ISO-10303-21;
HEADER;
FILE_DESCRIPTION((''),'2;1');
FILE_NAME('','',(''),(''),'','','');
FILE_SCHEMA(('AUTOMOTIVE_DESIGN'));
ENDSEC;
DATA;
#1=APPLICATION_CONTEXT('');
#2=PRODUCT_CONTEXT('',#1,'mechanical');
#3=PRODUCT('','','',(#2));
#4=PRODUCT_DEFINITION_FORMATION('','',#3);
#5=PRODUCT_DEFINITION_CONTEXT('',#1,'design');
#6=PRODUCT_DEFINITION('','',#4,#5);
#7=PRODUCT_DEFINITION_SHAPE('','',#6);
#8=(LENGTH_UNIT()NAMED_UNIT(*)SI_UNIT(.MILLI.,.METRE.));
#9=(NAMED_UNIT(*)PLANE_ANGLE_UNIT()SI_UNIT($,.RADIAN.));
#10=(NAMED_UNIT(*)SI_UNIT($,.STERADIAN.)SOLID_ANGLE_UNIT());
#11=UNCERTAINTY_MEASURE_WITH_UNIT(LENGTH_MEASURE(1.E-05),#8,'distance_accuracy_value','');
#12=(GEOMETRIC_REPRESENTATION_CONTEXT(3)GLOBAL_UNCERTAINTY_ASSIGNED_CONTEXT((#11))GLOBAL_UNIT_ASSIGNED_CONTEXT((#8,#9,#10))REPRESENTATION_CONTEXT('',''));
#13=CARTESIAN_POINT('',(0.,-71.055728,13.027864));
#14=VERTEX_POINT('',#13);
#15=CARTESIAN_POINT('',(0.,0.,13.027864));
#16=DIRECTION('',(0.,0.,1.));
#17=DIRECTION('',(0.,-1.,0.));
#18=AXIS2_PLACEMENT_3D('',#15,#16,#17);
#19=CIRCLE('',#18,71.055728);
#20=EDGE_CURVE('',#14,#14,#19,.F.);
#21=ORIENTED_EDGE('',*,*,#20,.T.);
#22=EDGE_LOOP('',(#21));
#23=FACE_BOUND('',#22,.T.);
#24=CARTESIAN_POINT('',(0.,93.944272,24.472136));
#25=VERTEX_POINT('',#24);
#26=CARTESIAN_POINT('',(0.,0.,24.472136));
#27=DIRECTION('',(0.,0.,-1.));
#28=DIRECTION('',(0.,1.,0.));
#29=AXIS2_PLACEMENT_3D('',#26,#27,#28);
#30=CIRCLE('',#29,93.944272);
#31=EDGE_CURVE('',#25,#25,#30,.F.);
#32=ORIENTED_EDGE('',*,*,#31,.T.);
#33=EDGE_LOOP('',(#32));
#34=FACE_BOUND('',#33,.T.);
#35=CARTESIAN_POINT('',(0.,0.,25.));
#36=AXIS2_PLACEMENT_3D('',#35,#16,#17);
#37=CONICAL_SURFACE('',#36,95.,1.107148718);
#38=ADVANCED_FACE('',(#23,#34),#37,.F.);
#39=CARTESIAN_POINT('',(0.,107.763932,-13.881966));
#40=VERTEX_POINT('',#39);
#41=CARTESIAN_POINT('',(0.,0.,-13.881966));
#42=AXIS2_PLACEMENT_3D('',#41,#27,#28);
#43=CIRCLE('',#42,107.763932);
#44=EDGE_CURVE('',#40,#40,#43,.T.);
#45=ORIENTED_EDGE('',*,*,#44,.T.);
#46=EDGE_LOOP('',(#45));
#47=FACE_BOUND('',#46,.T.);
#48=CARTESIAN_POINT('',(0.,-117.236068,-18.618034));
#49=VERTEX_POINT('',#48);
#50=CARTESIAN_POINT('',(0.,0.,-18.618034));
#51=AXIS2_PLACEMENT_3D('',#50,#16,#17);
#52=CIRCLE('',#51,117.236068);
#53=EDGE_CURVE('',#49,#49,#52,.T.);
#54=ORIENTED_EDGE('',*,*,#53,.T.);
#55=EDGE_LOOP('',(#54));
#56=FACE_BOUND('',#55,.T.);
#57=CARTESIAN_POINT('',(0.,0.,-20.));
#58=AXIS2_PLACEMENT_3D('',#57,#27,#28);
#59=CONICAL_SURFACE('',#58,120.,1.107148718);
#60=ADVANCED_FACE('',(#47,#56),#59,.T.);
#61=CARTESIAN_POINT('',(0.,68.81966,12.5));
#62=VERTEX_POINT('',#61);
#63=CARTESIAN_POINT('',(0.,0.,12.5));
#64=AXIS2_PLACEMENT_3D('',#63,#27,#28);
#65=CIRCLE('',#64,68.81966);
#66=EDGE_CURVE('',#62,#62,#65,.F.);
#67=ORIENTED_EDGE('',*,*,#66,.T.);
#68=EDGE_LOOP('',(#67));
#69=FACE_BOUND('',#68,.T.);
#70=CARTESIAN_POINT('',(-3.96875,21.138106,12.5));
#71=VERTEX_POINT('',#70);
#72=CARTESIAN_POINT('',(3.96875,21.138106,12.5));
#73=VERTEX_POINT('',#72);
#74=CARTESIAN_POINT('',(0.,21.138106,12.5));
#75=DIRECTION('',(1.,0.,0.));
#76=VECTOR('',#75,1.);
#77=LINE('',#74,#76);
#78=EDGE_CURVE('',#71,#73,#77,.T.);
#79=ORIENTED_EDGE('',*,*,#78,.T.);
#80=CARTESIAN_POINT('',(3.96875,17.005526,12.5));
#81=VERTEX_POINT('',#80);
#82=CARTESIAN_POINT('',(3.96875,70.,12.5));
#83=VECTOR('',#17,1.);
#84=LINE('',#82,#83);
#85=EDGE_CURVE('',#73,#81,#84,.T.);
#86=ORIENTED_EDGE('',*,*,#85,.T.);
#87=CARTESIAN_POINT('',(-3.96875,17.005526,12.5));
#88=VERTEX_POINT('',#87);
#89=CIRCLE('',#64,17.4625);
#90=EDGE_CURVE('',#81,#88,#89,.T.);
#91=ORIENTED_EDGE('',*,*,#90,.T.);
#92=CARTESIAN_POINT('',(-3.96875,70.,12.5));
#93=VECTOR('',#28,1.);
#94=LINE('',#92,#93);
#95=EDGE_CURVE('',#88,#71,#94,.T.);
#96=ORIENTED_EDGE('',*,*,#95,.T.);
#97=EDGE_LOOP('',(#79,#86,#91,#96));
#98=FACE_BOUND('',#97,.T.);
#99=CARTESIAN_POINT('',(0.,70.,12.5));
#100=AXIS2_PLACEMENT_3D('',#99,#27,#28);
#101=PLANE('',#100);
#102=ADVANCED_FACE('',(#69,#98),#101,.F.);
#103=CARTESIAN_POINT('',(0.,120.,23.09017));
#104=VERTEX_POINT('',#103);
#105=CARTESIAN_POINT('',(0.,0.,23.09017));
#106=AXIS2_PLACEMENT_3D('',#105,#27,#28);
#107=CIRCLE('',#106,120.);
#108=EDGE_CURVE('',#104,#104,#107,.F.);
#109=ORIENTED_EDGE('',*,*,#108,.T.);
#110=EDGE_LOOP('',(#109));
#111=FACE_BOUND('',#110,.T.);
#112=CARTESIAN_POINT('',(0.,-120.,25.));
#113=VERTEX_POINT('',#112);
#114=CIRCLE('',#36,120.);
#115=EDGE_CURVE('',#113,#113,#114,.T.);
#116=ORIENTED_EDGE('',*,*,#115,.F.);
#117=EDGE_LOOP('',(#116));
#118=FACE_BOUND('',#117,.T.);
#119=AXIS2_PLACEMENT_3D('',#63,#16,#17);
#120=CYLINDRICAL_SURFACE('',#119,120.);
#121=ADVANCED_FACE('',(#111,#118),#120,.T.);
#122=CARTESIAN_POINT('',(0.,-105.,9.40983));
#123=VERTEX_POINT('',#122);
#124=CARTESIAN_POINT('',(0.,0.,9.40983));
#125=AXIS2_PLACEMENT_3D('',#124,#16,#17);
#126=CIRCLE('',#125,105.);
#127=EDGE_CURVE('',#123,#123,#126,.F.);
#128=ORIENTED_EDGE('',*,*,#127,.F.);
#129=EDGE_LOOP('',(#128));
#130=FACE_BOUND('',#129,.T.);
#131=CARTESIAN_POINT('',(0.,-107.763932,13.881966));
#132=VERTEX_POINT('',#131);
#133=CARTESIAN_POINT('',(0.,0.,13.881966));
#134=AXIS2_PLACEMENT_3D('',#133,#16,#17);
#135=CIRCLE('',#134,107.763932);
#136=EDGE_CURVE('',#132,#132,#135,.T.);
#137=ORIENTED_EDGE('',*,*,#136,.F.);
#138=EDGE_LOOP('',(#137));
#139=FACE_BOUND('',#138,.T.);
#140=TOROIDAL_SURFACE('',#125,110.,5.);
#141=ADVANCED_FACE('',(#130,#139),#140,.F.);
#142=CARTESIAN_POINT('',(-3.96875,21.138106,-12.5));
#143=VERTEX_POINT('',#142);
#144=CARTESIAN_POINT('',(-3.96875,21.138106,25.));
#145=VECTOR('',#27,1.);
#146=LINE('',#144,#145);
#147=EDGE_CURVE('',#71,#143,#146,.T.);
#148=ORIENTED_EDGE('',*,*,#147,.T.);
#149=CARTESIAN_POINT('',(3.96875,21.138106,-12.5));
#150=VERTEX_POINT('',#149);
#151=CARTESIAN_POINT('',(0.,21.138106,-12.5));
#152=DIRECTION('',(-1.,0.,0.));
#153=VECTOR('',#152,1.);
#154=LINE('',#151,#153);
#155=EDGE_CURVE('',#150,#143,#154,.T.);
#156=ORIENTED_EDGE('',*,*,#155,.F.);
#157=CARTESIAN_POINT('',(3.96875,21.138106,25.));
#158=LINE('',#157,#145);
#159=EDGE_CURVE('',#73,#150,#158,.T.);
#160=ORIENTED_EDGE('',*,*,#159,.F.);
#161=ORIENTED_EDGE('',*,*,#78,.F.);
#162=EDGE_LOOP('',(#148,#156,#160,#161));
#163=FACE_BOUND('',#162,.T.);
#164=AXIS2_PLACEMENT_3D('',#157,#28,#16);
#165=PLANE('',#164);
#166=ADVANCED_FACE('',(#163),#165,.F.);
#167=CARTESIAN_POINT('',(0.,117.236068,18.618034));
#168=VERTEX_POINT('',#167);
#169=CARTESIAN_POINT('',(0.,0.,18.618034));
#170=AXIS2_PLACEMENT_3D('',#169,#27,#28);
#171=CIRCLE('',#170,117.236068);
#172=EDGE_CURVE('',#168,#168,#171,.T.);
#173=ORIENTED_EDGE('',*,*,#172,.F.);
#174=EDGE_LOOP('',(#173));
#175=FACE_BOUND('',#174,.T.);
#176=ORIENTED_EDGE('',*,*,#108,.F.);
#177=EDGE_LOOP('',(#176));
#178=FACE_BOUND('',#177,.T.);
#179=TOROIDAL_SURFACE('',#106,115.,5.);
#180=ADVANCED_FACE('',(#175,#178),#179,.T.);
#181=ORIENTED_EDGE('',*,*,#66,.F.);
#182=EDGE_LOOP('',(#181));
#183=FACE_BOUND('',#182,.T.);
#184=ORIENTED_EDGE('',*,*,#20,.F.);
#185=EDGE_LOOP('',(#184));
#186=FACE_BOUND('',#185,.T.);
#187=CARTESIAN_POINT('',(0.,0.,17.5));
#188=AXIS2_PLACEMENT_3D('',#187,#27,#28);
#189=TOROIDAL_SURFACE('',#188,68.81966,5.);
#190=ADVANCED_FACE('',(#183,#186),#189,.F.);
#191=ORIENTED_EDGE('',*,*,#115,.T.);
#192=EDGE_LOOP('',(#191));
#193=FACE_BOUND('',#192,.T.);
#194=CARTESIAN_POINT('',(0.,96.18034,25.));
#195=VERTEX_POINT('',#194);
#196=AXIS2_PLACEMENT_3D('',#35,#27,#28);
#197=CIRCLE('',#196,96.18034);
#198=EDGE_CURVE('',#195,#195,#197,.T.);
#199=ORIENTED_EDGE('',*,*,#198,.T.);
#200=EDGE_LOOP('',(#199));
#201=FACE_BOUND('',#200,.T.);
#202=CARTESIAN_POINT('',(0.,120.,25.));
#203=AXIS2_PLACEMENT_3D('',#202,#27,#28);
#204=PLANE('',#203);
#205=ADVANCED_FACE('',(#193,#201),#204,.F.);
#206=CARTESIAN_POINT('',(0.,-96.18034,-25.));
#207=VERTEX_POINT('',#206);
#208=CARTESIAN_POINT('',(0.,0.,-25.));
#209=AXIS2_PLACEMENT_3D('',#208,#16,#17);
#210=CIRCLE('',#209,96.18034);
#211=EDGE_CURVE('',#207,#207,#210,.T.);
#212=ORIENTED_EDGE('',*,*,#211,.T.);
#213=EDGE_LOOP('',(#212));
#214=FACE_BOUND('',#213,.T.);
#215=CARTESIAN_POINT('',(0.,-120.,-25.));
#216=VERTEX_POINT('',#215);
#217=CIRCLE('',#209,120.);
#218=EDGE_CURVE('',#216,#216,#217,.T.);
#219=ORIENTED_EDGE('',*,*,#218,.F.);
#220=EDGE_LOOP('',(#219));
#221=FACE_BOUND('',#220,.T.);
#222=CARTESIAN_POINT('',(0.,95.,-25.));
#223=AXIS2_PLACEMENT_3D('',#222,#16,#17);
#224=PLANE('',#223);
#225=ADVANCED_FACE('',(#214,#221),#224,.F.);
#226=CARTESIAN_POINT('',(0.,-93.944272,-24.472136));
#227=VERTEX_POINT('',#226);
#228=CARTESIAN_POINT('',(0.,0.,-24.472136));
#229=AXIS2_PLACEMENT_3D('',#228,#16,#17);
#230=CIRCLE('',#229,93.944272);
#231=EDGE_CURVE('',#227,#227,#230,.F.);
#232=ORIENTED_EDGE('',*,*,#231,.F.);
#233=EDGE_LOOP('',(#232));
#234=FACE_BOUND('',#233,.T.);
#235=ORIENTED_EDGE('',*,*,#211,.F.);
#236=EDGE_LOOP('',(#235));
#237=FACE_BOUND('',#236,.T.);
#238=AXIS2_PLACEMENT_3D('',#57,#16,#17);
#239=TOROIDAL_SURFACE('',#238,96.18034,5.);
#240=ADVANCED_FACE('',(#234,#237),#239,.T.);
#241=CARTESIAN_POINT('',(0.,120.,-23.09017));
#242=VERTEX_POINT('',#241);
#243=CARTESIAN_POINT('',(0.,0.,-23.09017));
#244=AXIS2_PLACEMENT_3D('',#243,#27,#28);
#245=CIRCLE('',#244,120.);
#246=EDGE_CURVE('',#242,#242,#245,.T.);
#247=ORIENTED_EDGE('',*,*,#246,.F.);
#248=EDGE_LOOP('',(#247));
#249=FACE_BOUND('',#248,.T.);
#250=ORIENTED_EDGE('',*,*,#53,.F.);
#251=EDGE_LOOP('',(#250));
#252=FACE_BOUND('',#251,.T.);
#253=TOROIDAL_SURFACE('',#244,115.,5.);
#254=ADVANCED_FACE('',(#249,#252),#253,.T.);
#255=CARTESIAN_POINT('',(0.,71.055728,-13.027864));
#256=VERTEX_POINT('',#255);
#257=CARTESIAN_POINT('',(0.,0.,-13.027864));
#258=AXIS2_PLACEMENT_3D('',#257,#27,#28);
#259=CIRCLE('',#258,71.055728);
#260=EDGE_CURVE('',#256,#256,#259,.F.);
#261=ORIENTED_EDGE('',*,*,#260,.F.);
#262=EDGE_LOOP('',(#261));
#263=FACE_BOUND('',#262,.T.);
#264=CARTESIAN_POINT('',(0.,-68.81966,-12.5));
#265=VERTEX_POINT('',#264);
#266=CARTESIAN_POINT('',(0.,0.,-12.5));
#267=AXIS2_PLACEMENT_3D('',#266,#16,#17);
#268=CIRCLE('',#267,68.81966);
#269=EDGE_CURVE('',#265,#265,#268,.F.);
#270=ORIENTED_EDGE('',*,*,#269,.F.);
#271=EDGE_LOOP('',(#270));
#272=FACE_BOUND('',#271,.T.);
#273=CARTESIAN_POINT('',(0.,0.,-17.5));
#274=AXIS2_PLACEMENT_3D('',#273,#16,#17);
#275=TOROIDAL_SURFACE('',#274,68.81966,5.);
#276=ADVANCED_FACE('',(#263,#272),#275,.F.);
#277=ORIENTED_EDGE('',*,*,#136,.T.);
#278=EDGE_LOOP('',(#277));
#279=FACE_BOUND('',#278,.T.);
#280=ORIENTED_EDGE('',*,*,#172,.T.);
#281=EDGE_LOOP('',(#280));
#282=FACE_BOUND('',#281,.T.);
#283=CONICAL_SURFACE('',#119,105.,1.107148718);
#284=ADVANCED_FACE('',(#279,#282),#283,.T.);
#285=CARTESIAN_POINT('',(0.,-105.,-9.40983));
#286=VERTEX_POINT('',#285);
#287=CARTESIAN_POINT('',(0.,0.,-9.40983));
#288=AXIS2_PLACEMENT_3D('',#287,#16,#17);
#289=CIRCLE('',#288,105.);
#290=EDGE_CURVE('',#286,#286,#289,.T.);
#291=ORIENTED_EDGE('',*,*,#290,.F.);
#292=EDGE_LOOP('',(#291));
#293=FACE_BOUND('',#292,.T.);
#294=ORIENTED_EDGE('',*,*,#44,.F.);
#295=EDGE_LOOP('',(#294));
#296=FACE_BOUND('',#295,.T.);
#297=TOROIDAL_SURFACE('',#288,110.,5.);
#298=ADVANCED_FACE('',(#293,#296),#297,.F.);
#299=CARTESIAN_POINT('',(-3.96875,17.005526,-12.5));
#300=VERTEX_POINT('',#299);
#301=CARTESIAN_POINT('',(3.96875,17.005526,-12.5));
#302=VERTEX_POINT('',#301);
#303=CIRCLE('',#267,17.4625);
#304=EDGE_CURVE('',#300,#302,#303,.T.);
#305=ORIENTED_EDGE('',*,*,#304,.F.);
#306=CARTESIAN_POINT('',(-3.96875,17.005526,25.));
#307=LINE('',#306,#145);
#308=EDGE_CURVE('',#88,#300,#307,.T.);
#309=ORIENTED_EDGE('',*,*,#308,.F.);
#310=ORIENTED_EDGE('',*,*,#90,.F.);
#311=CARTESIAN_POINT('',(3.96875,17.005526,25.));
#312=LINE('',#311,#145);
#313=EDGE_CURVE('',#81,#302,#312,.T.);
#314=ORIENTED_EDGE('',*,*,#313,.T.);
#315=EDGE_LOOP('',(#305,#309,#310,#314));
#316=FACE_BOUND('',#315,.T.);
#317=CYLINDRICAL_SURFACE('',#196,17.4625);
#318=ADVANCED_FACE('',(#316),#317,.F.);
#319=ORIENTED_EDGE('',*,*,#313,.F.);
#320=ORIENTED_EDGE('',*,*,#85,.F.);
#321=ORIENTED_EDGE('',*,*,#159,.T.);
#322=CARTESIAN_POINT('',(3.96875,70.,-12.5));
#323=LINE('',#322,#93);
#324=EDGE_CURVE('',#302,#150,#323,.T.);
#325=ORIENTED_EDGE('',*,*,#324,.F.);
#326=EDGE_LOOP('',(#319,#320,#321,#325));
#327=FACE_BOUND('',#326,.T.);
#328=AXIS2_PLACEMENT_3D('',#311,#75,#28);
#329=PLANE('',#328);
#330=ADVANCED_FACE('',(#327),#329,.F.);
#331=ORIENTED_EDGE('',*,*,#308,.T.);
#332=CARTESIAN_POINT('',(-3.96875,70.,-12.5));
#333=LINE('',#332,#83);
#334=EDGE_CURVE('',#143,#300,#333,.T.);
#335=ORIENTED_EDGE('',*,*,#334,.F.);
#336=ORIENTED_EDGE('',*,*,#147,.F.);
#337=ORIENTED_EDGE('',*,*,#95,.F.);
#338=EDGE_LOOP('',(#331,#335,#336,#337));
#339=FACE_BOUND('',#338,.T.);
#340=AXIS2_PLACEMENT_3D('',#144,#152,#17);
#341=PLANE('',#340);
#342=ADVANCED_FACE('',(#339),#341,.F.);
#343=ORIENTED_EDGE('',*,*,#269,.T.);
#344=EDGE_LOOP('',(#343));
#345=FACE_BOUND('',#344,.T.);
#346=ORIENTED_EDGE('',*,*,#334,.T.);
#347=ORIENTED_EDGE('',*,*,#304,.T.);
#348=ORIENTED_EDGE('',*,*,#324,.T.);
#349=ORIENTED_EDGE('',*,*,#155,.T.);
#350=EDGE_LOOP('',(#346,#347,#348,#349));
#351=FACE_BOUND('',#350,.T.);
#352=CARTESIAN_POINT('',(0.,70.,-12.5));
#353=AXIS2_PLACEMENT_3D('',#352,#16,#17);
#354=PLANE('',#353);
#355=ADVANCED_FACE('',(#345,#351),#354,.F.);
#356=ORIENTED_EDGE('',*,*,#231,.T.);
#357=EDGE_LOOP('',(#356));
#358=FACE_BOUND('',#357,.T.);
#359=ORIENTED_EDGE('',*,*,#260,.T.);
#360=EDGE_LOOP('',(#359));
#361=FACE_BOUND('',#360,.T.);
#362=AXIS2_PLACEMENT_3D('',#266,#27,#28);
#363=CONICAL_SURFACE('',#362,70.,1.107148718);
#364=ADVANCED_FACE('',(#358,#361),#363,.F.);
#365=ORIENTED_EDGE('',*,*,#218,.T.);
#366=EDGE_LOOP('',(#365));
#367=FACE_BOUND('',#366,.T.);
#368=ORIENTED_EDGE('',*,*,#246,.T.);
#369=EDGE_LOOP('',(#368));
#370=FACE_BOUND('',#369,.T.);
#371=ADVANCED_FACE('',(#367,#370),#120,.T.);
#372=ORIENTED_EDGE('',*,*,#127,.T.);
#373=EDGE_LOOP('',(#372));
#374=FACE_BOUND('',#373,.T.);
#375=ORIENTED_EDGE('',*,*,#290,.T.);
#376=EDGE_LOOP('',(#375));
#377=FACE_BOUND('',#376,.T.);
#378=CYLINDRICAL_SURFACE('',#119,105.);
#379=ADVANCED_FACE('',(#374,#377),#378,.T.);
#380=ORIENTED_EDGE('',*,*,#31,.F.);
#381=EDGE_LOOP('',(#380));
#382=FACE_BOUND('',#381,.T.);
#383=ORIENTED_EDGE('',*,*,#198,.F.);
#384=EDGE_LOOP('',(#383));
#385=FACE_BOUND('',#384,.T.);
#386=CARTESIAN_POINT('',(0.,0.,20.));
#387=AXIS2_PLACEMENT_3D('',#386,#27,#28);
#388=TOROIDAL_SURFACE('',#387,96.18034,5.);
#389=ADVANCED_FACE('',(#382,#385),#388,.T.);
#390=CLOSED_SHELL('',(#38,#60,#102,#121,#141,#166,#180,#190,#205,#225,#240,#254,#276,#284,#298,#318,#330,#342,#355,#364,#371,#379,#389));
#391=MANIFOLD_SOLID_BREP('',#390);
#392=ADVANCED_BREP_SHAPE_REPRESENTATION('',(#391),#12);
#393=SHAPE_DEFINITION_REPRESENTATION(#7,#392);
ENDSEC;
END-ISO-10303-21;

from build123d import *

# Parameters (mm, degrees)
FILLETS_R            = 5
SHAFT_CUT_DEPTH      = 174.799455871
SHAFT_CUT_DEPTH_BACK = 174.799455871


with BuildPart() as part:
    # Sketch1 → Main wheel extrude (revolve)
    with BuildSketch(Plane(origin=(0, 0, 0), x_dir=(0, 0, -1), z_dir=(1, 0, 0)), mode=Mode.PRIVATE) as main_wheel_extrude_sk:
        Polygon((-25, 120), (-25, 95), (-12.5, 70), (-12.5, 0), (12.5, 0), (12.5, 70), (25, 95), (25, 120), (20, 120), (12.5, 105), (-12.5, 105), (-20, 120), align=None)
    revolve(main_wheel_extrude_sk.sketch.rotate(Axis((0, 0, 12.5), (0, 0, -1)), 180), axis=Axis((0, 0, 12.5), (0, 0, -1)))

    # Fillets
    fillets_edges = [part.edges().sort_by_distance(p)[0] for p in [
        (0, 105, -12.5),
        (0, 120, -20),
        (0, 95, -25),
        (0, 70, -12.5),
        (0, 70, 12.5),
        (0, 95, 25),
        (0, 120, 20),
        (0, 105, 12.5),
    ]]
    fillet(fillets_edges, radius=FILLETS_R)

    # Sketch3 → Shaft cut (cut, two sides: drawn at the far end of the back side and taken through both)
    with BuildSketch(Plane(origin=(0, 0, -12.5), x_dir=(-1, 0, 0), z_dir=(0, 0, -1)).offset(-SHAFT_CUT_DEPTH_BACK)):
        with BuildLine():
            Line((-3.96875, 17.005526445), (-3.96875, 21.138106445))
            Line((-3.96875, 21.138106445), (3.96875, 21.138106445))
            Line((3.96875, 21.138106445), (3.96875, 17.005526445))
            ThreePointArc((3.96875, 17.005526445), (0, -17.4625), (-3.96875, 17.005526445))
        make_face()
    extrude(amount=SHAFT_CUT_DEPTH + SHAFT_CUT_DEPTH_BACK, mode=Mode.SUBTRACT)


solid = part.part
